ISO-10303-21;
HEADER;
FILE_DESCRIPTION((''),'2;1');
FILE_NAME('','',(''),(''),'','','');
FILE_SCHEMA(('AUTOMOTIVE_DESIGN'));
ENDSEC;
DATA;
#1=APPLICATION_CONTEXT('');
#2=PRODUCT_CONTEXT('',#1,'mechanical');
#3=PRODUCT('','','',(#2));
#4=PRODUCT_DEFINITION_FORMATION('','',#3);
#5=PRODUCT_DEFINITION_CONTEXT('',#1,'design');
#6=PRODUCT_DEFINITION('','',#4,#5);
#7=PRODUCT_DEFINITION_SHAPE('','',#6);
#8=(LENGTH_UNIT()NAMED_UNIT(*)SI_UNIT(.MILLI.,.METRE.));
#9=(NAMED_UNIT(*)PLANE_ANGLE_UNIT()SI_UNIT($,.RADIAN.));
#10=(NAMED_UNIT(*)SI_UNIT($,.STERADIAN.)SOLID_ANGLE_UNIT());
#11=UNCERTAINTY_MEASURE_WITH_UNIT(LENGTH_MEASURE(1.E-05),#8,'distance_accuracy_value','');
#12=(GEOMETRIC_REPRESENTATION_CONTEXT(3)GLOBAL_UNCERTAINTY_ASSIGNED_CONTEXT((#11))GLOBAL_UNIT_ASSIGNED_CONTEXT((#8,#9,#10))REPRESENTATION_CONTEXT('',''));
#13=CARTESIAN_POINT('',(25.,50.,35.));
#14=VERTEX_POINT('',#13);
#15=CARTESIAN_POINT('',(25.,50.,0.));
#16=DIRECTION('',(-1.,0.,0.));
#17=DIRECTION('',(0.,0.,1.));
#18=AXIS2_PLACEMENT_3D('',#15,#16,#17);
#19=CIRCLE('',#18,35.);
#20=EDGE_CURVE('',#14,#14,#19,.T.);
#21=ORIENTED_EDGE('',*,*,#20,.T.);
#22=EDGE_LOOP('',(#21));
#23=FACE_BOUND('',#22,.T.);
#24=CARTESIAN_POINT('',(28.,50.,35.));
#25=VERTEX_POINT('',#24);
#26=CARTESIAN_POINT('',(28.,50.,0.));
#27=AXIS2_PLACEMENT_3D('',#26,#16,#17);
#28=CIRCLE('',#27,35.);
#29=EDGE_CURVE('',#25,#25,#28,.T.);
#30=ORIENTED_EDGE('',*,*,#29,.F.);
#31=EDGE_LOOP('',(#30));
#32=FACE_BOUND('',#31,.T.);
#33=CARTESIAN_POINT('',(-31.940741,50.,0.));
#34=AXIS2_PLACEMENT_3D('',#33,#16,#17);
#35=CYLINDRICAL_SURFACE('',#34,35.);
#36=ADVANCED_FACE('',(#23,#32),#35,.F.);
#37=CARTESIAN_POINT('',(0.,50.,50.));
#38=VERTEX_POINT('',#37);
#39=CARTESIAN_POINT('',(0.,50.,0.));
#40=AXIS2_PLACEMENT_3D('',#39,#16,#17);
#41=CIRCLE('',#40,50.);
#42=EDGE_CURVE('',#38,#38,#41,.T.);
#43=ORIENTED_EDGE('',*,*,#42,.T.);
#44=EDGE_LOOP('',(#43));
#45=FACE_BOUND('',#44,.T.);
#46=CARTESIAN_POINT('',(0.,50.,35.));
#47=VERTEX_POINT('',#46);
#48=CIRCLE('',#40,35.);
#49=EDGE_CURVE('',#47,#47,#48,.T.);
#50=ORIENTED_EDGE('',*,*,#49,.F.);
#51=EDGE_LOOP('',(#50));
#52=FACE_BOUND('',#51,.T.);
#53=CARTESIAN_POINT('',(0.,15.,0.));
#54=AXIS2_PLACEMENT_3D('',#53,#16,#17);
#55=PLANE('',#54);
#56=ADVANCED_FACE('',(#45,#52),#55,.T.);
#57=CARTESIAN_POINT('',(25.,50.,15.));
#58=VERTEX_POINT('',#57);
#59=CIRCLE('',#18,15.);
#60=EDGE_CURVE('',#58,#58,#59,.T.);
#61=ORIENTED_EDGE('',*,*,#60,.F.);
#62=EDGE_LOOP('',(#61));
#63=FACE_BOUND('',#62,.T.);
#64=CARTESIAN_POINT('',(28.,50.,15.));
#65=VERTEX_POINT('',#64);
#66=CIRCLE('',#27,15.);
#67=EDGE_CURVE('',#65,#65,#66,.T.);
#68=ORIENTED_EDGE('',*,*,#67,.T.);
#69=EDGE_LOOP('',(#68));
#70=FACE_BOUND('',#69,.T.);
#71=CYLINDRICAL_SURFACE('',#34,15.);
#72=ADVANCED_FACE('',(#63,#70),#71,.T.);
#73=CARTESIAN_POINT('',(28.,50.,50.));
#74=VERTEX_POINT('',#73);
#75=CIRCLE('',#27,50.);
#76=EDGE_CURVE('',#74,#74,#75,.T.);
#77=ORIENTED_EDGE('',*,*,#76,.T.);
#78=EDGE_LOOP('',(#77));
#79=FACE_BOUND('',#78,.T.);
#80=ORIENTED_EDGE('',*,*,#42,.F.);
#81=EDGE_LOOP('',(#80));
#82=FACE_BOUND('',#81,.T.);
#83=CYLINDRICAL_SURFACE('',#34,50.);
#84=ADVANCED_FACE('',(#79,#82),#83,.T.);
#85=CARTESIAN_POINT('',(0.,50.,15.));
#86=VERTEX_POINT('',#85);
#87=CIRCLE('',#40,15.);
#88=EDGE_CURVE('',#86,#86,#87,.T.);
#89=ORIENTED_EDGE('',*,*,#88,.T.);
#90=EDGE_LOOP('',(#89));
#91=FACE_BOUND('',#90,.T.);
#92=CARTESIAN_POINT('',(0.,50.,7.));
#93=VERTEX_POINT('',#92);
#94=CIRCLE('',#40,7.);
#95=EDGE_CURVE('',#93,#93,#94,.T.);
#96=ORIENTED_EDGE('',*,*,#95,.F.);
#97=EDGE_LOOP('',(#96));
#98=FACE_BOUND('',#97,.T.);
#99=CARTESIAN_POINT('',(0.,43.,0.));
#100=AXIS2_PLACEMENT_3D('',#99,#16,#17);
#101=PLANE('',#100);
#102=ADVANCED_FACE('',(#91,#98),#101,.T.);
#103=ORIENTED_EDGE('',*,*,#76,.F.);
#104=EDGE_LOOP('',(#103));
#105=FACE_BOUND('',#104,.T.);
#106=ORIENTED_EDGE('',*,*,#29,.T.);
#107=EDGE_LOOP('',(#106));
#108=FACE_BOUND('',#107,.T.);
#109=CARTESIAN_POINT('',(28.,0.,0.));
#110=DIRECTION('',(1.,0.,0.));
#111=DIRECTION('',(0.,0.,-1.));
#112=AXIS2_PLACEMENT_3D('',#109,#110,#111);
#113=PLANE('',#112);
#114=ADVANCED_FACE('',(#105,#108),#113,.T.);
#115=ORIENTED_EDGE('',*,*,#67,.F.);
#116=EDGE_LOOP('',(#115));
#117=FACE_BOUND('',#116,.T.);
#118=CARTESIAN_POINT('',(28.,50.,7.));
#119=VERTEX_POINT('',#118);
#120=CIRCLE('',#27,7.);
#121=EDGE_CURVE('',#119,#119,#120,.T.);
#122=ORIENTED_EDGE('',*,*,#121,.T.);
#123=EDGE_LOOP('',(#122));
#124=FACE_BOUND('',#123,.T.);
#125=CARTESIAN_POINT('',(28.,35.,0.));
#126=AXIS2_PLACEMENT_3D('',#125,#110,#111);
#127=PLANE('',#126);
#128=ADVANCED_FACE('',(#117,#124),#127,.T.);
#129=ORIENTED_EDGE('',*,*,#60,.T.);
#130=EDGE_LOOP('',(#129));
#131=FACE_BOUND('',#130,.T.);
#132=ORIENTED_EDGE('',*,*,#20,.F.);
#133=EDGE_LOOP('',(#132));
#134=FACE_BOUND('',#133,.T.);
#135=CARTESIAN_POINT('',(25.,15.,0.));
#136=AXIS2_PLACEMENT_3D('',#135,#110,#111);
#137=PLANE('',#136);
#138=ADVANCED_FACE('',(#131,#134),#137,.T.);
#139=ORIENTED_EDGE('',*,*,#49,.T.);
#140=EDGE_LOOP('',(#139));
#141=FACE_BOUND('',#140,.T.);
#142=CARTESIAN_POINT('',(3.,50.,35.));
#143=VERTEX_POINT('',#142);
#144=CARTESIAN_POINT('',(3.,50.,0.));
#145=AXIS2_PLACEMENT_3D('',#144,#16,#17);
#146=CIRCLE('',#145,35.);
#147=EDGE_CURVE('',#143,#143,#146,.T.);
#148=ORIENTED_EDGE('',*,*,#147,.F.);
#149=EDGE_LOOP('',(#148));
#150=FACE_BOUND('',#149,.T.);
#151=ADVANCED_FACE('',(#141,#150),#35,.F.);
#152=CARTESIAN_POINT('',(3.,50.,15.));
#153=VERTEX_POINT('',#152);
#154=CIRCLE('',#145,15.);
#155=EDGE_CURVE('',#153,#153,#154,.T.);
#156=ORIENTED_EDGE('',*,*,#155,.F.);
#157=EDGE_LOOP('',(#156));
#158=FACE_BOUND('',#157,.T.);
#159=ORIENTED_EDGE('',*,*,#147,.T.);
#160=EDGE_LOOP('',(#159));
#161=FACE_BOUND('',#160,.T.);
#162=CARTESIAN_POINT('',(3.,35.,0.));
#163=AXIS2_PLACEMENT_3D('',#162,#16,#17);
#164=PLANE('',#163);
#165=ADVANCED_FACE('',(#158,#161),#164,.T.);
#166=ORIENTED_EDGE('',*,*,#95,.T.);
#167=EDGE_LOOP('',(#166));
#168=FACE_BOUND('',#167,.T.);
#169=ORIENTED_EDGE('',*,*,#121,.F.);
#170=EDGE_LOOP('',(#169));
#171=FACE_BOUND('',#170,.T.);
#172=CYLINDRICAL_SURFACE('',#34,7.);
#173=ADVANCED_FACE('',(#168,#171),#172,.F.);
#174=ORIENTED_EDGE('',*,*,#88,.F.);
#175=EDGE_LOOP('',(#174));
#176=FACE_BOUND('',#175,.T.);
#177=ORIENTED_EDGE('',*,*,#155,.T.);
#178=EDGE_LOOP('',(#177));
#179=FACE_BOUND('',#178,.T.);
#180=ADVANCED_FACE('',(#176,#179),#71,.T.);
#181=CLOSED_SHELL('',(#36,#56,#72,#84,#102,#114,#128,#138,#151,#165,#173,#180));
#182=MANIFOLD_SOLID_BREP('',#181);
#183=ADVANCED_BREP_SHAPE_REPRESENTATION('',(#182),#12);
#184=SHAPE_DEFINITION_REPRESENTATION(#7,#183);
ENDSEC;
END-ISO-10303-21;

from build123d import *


with BuildPart() as part:
    # Sketch1 → Revolve1 (revolve)
    with BuildSketch(Plane.XY, mode=Mode.PRIVATE) as revolve1_sk:
        Polygon((0, 0), (28, 0), (28, 15), (25, 15), (25, 35), (28, 35), (28, 43), (0, 43), (0, 35), (3, 35), (3, 15), (0, 15), align=None)
    revolve(revolve1_sk.sketch.rotate(Axis((-31.940740741, 50, 0), (1, 0, 0)), 270), axis=Axis((-31.940740741, 50, 0), (1, 0, 0)))


solid = part.part
